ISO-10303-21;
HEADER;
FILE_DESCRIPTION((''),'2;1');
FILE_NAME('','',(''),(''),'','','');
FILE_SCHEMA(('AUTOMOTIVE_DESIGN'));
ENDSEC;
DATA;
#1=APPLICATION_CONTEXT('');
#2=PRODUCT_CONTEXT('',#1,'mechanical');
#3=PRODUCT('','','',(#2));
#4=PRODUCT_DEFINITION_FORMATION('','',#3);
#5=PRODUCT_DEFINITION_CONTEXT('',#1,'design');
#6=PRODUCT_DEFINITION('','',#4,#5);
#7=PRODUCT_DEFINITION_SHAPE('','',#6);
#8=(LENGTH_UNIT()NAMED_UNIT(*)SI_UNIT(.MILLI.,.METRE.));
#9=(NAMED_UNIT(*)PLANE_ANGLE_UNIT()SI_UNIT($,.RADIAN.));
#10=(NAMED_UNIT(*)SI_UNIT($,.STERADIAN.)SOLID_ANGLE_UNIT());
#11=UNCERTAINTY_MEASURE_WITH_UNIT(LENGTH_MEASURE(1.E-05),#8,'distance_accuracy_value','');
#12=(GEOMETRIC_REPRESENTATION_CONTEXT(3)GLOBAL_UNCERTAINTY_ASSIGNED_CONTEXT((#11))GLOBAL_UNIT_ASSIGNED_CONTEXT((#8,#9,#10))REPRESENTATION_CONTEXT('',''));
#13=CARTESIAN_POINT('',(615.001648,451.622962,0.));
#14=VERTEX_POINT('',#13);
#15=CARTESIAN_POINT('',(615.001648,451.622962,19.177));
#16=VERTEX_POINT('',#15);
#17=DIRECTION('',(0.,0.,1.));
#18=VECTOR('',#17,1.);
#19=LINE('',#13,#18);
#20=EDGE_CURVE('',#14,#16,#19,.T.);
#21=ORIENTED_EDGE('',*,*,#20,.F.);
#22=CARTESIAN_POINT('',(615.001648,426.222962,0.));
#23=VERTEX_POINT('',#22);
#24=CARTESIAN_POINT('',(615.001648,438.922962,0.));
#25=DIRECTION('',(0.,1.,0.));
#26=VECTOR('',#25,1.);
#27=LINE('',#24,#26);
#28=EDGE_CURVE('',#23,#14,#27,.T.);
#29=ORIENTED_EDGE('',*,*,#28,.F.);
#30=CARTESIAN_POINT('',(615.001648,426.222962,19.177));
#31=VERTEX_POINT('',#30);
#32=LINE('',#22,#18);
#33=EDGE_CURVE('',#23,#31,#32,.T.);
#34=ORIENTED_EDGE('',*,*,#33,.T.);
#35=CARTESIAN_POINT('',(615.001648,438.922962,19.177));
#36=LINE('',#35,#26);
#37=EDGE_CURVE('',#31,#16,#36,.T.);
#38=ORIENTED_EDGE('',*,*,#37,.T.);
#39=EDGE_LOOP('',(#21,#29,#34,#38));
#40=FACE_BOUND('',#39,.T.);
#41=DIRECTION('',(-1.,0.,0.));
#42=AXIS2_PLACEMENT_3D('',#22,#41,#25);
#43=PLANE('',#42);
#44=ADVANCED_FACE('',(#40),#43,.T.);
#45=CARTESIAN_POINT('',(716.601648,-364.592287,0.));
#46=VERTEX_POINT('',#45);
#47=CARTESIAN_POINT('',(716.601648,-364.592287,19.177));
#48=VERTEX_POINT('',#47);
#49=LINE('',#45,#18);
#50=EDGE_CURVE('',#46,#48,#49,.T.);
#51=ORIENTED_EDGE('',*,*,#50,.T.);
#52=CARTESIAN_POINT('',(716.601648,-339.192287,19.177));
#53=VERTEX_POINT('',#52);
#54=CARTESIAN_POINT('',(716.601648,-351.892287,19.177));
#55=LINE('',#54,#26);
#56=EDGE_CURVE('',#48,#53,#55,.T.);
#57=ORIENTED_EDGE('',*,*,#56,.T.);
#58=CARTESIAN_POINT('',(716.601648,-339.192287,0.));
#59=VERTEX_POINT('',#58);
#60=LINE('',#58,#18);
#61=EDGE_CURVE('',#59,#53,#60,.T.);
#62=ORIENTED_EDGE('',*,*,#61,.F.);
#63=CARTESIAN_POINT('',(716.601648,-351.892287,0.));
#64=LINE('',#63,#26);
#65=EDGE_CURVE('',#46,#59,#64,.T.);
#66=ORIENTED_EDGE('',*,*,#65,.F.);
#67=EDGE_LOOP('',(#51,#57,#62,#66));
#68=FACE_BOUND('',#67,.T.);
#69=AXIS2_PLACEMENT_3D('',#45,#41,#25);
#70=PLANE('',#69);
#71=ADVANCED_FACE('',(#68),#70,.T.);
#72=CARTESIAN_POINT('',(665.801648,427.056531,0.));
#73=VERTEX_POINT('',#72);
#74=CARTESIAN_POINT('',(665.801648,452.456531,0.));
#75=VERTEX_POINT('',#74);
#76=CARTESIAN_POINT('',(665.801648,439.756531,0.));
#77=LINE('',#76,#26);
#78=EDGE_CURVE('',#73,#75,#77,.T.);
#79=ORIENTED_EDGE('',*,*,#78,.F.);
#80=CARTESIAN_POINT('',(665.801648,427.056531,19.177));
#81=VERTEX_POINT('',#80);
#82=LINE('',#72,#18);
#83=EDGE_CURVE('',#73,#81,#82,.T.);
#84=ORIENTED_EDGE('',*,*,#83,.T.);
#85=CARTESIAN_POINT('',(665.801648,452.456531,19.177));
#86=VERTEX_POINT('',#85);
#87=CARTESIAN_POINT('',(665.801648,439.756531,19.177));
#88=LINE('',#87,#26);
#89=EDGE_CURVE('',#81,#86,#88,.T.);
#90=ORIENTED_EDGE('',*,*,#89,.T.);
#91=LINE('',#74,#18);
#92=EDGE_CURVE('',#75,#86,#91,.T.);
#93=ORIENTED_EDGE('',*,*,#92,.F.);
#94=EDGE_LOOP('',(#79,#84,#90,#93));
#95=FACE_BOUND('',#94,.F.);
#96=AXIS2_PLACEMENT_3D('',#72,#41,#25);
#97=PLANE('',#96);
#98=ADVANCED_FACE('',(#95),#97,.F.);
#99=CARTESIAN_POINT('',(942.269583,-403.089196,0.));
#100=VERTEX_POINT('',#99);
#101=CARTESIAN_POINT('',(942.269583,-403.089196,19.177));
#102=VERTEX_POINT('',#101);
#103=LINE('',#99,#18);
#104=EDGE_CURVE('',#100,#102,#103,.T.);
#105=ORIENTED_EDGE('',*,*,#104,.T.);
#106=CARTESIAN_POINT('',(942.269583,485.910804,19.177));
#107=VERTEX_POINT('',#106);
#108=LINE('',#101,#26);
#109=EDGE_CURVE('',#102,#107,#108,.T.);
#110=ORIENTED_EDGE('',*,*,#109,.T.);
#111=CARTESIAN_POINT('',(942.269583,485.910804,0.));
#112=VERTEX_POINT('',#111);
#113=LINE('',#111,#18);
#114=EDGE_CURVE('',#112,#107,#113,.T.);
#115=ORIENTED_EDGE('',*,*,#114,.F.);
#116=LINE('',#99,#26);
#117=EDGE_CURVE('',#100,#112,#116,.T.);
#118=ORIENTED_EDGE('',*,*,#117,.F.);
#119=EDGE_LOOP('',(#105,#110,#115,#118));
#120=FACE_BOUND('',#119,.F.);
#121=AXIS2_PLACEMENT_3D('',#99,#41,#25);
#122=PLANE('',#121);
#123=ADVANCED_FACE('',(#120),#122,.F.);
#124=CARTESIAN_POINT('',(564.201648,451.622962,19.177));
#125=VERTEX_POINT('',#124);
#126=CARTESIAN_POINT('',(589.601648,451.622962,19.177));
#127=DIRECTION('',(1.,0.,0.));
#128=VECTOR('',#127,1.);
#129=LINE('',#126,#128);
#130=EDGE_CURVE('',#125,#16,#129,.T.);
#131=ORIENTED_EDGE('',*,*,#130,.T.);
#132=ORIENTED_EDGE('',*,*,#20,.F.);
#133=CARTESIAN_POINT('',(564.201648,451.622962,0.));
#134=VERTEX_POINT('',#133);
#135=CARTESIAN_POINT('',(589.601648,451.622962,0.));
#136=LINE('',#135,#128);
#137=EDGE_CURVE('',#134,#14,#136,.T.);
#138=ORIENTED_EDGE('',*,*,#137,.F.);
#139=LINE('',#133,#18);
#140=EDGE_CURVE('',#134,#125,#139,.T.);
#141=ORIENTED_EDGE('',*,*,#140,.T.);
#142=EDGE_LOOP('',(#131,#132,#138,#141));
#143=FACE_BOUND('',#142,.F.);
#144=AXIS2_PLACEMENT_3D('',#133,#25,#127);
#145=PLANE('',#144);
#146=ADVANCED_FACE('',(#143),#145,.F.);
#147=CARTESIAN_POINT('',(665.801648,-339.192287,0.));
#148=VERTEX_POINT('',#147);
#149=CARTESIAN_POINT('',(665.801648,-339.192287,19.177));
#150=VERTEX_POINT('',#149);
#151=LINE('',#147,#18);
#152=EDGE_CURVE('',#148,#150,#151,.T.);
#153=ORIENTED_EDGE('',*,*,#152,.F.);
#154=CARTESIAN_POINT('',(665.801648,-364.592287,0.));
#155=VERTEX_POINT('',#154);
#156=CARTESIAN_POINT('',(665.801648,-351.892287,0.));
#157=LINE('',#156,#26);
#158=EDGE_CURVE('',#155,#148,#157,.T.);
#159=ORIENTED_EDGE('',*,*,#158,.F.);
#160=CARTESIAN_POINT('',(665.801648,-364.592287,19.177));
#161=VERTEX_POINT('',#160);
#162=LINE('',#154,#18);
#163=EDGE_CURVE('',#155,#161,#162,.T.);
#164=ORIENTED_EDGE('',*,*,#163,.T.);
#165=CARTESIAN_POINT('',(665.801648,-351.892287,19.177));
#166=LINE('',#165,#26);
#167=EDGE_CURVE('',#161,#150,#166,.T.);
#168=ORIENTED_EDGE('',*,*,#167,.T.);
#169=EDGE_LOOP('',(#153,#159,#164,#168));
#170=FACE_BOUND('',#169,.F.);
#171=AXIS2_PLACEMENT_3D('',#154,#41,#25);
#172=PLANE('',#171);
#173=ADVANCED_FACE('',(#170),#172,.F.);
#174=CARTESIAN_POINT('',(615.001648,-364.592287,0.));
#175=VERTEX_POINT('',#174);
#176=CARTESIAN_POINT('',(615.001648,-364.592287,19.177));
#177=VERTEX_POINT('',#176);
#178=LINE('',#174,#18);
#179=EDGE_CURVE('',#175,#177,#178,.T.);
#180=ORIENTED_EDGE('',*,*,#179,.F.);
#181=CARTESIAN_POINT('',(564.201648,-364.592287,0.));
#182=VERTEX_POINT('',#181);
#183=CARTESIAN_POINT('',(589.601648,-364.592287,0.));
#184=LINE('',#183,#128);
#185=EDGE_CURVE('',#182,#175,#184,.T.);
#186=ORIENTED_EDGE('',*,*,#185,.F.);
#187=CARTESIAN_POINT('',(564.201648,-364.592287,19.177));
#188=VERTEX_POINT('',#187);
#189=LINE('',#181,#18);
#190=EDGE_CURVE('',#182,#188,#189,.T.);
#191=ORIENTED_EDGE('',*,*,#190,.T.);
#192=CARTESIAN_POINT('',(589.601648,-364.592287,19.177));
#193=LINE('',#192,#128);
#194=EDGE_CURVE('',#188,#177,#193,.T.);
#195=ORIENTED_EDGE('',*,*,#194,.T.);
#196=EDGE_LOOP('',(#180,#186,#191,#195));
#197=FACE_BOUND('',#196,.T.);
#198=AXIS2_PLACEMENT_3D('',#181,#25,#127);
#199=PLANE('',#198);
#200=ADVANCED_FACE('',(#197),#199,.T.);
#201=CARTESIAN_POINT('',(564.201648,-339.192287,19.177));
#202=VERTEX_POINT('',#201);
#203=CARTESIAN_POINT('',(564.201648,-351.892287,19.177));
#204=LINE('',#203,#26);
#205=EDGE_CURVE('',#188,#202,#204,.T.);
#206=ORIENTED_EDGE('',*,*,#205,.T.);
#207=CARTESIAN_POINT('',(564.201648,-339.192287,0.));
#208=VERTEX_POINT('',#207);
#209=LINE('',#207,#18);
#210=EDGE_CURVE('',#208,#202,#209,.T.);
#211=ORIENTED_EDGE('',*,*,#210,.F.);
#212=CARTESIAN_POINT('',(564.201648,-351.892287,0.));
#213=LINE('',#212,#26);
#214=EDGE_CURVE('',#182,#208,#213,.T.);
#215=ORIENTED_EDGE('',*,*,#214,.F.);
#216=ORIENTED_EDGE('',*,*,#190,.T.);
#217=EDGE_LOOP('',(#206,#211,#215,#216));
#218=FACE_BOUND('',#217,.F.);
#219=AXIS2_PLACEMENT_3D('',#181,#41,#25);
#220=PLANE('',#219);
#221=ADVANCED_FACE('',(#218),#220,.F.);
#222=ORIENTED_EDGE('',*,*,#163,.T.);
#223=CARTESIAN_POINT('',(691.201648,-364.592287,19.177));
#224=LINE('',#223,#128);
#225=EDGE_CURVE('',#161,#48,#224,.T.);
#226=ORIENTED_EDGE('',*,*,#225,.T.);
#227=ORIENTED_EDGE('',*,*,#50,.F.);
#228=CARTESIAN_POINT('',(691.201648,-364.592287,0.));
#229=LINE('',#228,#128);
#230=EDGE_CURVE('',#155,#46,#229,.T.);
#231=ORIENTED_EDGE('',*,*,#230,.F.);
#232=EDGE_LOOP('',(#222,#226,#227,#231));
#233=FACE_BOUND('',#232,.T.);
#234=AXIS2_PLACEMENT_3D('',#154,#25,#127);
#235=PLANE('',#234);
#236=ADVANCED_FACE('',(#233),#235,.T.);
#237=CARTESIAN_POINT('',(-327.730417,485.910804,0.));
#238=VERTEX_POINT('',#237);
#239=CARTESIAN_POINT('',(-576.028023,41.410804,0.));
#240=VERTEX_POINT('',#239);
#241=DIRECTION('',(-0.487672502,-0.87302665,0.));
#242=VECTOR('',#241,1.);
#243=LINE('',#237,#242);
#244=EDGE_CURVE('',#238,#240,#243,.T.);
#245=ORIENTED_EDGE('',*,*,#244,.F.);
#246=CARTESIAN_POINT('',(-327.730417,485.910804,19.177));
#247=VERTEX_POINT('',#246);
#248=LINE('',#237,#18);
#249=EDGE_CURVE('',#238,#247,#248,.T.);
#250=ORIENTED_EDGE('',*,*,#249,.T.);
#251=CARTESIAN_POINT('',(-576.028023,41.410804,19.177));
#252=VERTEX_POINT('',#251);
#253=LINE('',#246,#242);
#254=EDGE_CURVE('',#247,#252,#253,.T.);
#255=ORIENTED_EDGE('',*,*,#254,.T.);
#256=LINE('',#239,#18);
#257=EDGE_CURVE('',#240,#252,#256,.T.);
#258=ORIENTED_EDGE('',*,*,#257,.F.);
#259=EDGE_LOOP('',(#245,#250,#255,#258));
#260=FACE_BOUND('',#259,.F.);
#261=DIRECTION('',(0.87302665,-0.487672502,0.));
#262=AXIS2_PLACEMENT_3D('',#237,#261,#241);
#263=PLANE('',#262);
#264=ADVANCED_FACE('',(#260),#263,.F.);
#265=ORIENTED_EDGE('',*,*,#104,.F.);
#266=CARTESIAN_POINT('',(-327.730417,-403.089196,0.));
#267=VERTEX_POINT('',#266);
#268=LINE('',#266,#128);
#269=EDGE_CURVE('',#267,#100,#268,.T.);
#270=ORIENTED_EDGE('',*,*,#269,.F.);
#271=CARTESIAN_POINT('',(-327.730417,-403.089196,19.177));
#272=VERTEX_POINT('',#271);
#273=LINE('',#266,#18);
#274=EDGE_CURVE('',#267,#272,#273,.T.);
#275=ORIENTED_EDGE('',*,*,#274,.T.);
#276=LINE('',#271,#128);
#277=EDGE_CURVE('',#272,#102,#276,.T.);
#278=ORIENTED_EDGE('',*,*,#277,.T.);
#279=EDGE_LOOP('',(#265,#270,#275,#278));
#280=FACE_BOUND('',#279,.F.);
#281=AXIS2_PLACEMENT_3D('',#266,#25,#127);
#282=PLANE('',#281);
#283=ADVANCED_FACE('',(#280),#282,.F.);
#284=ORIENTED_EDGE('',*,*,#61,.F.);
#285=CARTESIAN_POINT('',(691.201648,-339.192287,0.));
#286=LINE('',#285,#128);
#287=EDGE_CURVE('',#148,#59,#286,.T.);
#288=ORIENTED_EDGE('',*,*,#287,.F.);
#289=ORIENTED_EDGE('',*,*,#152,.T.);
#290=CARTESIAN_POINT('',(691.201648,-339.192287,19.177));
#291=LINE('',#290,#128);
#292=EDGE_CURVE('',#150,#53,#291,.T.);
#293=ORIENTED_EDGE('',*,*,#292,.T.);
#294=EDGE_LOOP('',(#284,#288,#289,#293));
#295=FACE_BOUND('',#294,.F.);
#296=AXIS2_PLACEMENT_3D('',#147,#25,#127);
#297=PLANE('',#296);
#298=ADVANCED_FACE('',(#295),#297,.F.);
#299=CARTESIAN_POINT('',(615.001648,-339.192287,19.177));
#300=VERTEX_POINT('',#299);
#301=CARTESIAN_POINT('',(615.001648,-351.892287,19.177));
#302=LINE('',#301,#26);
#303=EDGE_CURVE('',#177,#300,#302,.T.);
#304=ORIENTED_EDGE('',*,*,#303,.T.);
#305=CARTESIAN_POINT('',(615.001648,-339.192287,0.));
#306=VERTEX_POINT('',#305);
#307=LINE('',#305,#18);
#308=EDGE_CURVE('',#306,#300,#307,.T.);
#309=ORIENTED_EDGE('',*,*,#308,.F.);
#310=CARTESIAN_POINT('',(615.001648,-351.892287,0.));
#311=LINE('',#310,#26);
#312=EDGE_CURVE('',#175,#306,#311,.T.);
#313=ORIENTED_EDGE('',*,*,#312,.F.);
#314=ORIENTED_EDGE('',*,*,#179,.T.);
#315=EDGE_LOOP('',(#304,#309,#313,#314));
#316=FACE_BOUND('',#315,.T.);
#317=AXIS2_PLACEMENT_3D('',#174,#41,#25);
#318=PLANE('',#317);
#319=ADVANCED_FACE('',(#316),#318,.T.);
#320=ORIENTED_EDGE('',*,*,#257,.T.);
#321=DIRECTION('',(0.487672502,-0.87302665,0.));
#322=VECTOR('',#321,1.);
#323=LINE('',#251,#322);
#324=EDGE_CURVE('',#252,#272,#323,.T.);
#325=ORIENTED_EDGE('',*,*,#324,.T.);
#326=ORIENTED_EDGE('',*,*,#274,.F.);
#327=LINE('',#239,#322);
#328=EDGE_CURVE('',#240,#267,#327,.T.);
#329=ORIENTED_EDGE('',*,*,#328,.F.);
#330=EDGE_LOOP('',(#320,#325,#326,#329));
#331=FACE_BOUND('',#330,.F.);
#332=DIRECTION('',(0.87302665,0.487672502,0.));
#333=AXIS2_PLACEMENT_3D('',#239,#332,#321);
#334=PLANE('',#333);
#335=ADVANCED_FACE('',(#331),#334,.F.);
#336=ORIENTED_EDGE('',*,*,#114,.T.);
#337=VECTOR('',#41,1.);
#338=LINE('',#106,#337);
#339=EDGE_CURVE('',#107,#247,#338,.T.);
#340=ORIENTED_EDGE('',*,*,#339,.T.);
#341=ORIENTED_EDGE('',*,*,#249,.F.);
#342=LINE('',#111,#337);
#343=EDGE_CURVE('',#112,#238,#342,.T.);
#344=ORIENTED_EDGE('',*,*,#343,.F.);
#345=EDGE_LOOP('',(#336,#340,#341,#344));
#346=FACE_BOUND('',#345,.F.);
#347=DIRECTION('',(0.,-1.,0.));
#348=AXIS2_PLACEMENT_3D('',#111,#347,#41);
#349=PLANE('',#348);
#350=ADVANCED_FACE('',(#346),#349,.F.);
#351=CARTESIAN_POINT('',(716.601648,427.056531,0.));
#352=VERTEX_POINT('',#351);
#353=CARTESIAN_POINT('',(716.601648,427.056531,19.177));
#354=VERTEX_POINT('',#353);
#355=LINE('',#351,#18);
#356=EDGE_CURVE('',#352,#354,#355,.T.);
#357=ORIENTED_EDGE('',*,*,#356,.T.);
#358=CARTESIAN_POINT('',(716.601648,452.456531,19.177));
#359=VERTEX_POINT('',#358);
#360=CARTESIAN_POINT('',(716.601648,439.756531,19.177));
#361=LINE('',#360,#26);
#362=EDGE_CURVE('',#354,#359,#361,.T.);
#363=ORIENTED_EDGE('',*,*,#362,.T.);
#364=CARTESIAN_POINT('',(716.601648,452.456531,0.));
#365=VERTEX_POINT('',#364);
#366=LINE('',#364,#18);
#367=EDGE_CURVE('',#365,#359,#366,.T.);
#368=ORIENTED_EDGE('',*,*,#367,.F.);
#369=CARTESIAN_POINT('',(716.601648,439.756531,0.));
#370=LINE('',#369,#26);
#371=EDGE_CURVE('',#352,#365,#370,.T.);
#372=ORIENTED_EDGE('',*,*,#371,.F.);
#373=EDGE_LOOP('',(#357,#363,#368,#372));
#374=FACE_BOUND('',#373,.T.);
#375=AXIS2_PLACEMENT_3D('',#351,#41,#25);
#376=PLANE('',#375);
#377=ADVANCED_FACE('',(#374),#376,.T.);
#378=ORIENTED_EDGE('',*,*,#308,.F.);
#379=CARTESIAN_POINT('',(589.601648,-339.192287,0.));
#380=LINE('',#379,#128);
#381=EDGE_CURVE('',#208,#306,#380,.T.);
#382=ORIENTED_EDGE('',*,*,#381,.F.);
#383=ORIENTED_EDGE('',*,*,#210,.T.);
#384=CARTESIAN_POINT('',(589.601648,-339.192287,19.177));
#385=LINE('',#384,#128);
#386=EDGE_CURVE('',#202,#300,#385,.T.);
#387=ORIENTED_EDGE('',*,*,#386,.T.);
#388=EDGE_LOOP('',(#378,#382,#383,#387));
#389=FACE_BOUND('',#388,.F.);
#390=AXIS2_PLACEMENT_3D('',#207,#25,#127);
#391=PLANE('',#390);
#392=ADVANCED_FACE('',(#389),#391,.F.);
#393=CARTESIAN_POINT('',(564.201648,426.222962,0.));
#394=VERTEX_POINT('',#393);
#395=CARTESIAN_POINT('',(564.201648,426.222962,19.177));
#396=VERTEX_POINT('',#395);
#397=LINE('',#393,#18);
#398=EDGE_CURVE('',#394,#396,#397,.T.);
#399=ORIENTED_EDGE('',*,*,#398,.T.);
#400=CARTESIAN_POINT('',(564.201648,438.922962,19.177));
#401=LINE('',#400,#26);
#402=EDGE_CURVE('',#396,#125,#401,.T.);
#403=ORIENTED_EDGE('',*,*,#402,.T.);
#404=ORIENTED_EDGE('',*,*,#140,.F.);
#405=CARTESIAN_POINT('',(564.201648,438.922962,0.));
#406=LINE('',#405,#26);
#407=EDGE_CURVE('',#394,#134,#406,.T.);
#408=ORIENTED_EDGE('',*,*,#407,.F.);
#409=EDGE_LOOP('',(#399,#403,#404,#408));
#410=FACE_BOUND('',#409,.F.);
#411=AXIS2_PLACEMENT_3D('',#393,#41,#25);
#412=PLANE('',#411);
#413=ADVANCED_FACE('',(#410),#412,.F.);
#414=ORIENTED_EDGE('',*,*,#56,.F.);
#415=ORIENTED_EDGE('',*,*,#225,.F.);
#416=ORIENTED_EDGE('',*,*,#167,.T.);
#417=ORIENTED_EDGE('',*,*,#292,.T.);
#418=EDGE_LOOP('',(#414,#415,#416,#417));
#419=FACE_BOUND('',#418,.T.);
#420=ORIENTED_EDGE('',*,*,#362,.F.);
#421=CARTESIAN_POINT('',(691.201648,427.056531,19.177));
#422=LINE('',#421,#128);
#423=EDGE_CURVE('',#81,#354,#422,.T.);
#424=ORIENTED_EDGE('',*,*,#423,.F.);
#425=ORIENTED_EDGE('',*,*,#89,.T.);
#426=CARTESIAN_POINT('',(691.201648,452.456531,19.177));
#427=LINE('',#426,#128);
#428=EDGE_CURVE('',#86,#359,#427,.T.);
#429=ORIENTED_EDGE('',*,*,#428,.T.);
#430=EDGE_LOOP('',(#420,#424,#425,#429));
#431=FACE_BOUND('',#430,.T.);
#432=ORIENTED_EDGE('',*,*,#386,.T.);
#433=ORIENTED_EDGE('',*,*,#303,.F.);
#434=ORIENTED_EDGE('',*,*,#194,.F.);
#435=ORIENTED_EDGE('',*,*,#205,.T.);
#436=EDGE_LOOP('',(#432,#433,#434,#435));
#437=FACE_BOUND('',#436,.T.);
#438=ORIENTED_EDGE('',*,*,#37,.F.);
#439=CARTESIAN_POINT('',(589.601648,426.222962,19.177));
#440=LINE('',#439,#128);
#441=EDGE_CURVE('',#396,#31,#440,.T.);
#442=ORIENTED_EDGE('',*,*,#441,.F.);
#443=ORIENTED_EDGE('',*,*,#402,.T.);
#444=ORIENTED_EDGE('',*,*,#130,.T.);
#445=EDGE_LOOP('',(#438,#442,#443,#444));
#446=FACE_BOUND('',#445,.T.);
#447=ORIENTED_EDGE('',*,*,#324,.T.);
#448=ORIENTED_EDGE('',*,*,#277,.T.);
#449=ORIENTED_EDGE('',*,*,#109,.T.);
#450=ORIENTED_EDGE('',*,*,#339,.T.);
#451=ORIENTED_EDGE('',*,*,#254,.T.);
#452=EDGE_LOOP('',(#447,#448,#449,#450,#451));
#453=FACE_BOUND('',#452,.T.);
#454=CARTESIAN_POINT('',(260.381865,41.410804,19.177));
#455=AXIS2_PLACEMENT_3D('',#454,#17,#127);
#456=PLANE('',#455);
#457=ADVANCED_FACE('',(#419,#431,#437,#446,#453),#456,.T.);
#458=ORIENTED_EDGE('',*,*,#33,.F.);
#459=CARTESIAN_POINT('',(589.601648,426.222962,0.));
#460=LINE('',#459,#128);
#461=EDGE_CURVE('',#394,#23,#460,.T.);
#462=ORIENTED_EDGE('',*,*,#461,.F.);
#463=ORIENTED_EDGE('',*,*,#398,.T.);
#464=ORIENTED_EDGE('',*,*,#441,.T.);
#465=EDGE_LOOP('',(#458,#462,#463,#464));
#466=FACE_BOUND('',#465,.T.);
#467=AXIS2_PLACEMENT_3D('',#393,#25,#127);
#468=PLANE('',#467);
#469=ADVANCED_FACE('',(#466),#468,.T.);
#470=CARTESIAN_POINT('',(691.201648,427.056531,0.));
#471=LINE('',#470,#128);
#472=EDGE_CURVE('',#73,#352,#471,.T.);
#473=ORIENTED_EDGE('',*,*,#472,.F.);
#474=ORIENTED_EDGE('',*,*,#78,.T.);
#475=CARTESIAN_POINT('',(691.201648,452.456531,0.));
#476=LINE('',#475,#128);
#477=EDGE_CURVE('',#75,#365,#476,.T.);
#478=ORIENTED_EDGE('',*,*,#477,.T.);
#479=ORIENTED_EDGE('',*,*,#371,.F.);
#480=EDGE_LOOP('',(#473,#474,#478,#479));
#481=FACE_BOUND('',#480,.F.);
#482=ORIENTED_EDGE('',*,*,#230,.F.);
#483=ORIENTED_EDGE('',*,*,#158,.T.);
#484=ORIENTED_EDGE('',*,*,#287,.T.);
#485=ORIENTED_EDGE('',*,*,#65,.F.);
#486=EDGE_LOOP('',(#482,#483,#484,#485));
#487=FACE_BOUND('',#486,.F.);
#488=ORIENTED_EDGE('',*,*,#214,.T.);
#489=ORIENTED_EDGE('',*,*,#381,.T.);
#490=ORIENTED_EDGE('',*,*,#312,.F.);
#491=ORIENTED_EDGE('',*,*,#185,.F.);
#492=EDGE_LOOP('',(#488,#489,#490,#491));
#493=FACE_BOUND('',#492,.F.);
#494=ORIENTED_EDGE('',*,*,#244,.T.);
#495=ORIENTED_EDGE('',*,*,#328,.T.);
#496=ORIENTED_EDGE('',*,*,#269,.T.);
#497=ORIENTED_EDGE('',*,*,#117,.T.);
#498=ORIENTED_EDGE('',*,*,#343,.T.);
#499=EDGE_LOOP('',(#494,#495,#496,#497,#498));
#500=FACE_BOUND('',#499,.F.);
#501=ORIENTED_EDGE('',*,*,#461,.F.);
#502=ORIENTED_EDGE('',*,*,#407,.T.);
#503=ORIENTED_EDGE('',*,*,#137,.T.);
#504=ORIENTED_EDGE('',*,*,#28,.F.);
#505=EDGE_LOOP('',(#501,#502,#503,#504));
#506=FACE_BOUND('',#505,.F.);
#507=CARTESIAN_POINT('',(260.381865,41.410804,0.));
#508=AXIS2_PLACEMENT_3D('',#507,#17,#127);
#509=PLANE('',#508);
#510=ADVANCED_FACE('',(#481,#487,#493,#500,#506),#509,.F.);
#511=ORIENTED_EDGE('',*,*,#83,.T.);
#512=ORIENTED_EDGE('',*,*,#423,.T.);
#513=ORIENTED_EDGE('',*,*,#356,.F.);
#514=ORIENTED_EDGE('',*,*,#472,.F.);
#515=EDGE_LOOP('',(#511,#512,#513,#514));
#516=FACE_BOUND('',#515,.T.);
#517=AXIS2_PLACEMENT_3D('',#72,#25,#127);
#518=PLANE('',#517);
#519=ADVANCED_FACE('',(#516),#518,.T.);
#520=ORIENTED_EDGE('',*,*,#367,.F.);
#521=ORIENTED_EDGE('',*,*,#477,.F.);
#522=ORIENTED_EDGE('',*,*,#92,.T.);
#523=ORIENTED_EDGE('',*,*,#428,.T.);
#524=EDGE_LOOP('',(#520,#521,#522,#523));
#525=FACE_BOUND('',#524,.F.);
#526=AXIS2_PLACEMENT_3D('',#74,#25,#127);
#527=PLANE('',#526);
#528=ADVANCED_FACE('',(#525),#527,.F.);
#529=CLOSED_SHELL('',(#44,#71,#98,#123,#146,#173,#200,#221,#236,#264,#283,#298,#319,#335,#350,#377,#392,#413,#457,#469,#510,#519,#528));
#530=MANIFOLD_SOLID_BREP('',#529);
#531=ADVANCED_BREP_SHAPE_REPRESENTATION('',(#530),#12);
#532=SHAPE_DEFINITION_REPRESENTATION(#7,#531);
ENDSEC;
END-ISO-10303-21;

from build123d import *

# Parameters (mm, degrees)
F0_W     = 50.8
F0_H     = 25.4
F1_DEPTH = 19.177


with BuildPart() as f1:
    # F0 (on Top) → F1 (new body)
    with BuildSketch(Plane.XY):
        Polygon((942.269583, 485.910804), (-327.730417, 485.910804), (-576.028023, 41.410804), (-327.730417, -403.089196), (942.269583, -403.089196), align=None)
        with Locations((589.601648, -351.892287)):
            Rectangle(F0_W, F0_H, mode=Mode.SUBTRACT)
        with Locations((691.201648, -351.892287)):
            Rectangle(F0_W, F0_H, mode=Mode.SUBTRACT)
        with Locations((589.601648, 438.922962)):
            Rectangle(F0_W, F0_H, mode=Mode.SUBTRACT)
        with Locations((691.201648, 439.756531)):
            Rectangle(F0_W, F0_H, mode=Mode.SUBTRACT)
    extrude(amount=F1_DEPTH)


solid = f1.part
